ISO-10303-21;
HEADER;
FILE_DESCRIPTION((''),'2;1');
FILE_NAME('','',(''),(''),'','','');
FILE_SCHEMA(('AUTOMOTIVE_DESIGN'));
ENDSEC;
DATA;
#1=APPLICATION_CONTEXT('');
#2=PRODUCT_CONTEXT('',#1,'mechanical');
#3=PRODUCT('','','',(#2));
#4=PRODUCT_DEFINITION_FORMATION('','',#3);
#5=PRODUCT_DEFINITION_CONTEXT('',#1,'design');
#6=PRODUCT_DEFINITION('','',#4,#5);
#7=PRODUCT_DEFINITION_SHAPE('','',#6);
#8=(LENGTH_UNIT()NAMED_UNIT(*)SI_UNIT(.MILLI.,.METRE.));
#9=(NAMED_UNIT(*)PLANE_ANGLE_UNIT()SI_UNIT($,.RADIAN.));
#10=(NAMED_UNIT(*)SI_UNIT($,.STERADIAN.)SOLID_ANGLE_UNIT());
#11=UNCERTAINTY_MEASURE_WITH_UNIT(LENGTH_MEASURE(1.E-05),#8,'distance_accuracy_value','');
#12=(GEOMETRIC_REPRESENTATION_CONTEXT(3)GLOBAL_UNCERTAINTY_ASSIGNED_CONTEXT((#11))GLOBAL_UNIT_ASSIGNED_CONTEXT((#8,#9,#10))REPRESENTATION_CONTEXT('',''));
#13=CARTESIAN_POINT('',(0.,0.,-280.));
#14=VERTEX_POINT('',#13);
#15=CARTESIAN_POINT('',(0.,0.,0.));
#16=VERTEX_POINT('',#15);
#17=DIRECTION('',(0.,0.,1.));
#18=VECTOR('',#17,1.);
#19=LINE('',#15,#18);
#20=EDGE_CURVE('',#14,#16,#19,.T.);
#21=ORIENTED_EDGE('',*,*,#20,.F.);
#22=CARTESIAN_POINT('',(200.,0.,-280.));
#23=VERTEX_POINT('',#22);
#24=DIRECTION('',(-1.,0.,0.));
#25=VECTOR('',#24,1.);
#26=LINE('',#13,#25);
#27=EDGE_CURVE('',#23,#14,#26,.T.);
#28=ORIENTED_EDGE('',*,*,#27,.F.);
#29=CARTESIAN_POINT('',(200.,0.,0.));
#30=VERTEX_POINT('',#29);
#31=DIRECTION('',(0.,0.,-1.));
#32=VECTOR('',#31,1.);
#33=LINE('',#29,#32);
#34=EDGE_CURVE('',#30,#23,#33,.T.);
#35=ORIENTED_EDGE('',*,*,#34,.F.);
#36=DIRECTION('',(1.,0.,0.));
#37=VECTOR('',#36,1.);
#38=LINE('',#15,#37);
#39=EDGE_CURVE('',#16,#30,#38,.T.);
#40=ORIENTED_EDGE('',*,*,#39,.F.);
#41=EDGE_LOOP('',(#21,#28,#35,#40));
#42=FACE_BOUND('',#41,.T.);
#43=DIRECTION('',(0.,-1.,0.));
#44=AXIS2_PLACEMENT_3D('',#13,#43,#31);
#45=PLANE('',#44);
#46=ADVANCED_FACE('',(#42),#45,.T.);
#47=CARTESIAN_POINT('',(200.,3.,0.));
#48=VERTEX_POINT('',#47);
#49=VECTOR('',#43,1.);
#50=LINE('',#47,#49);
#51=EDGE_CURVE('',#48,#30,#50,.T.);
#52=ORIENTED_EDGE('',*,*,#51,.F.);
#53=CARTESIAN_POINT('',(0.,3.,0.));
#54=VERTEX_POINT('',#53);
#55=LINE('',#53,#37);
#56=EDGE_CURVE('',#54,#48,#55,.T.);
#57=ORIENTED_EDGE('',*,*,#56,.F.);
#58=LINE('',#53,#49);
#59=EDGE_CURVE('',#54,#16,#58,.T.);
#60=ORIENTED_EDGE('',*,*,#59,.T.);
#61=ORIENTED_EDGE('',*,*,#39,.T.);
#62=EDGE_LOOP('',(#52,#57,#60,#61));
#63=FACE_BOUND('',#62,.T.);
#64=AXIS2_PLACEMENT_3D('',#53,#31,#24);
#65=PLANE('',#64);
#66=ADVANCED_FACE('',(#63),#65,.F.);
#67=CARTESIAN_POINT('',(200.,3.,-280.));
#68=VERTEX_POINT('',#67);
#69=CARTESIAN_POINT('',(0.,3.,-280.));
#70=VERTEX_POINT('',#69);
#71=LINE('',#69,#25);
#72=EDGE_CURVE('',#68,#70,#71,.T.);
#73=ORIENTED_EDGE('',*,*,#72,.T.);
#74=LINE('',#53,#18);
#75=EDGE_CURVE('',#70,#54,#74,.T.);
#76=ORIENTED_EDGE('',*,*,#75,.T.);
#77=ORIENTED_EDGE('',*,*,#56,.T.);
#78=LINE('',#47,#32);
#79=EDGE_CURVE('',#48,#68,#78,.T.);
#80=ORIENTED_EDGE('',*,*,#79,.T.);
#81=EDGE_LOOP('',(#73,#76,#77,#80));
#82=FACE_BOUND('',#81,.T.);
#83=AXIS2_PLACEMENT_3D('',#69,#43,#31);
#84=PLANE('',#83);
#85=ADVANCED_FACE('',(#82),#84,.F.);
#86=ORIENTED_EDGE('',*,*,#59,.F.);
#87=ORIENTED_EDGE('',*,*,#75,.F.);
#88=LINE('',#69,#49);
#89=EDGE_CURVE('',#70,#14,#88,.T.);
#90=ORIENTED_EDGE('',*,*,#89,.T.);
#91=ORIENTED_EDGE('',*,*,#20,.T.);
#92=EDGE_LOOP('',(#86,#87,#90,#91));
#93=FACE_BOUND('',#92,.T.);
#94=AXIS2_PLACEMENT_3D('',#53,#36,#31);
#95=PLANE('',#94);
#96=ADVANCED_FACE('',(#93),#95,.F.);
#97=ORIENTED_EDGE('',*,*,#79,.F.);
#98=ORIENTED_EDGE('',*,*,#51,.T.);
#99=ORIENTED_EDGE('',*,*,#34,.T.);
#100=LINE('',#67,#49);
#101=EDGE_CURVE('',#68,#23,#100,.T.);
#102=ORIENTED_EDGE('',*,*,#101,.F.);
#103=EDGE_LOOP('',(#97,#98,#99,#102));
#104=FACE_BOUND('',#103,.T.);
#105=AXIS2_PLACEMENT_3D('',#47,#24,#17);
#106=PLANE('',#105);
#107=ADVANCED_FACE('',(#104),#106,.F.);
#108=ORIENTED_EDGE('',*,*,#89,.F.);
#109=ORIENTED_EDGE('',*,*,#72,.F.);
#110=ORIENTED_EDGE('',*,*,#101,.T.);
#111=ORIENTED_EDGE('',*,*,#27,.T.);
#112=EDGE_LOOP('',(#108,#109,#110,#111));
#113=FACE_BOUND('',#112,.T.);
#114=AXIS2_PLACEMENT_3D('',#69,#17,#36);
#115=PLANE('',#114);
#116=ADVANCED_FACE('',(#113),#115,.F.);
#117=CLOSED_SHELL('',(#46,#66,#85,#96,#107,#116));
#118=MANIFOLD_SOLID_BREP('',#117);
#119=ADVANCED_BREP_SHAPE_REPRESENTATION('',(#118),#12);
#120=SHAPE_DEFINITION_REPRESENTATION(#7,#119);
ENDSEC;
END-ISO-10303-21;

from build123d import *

# Parameters (mm, degrees)
ESQUISSE1_W      = 200
ESQUISSE1_H      = 280
EXTRUSION1_DEPTH = 3


with BuildPart() as part:
    # Esquisse1 → Extrusion1 (new body)
    with BuildSketch(Plane(origin=(0, 0, 0), x_dir=(1, 0, 0), z_dir=(0, 1, 0))):
        with Locations((100, 140)):
            Rectangle(ESQUISSE1_W, ESQUISSE1_H)
    extrude(amount=EXTRUSION1_DEPTH)


solid = part.part
